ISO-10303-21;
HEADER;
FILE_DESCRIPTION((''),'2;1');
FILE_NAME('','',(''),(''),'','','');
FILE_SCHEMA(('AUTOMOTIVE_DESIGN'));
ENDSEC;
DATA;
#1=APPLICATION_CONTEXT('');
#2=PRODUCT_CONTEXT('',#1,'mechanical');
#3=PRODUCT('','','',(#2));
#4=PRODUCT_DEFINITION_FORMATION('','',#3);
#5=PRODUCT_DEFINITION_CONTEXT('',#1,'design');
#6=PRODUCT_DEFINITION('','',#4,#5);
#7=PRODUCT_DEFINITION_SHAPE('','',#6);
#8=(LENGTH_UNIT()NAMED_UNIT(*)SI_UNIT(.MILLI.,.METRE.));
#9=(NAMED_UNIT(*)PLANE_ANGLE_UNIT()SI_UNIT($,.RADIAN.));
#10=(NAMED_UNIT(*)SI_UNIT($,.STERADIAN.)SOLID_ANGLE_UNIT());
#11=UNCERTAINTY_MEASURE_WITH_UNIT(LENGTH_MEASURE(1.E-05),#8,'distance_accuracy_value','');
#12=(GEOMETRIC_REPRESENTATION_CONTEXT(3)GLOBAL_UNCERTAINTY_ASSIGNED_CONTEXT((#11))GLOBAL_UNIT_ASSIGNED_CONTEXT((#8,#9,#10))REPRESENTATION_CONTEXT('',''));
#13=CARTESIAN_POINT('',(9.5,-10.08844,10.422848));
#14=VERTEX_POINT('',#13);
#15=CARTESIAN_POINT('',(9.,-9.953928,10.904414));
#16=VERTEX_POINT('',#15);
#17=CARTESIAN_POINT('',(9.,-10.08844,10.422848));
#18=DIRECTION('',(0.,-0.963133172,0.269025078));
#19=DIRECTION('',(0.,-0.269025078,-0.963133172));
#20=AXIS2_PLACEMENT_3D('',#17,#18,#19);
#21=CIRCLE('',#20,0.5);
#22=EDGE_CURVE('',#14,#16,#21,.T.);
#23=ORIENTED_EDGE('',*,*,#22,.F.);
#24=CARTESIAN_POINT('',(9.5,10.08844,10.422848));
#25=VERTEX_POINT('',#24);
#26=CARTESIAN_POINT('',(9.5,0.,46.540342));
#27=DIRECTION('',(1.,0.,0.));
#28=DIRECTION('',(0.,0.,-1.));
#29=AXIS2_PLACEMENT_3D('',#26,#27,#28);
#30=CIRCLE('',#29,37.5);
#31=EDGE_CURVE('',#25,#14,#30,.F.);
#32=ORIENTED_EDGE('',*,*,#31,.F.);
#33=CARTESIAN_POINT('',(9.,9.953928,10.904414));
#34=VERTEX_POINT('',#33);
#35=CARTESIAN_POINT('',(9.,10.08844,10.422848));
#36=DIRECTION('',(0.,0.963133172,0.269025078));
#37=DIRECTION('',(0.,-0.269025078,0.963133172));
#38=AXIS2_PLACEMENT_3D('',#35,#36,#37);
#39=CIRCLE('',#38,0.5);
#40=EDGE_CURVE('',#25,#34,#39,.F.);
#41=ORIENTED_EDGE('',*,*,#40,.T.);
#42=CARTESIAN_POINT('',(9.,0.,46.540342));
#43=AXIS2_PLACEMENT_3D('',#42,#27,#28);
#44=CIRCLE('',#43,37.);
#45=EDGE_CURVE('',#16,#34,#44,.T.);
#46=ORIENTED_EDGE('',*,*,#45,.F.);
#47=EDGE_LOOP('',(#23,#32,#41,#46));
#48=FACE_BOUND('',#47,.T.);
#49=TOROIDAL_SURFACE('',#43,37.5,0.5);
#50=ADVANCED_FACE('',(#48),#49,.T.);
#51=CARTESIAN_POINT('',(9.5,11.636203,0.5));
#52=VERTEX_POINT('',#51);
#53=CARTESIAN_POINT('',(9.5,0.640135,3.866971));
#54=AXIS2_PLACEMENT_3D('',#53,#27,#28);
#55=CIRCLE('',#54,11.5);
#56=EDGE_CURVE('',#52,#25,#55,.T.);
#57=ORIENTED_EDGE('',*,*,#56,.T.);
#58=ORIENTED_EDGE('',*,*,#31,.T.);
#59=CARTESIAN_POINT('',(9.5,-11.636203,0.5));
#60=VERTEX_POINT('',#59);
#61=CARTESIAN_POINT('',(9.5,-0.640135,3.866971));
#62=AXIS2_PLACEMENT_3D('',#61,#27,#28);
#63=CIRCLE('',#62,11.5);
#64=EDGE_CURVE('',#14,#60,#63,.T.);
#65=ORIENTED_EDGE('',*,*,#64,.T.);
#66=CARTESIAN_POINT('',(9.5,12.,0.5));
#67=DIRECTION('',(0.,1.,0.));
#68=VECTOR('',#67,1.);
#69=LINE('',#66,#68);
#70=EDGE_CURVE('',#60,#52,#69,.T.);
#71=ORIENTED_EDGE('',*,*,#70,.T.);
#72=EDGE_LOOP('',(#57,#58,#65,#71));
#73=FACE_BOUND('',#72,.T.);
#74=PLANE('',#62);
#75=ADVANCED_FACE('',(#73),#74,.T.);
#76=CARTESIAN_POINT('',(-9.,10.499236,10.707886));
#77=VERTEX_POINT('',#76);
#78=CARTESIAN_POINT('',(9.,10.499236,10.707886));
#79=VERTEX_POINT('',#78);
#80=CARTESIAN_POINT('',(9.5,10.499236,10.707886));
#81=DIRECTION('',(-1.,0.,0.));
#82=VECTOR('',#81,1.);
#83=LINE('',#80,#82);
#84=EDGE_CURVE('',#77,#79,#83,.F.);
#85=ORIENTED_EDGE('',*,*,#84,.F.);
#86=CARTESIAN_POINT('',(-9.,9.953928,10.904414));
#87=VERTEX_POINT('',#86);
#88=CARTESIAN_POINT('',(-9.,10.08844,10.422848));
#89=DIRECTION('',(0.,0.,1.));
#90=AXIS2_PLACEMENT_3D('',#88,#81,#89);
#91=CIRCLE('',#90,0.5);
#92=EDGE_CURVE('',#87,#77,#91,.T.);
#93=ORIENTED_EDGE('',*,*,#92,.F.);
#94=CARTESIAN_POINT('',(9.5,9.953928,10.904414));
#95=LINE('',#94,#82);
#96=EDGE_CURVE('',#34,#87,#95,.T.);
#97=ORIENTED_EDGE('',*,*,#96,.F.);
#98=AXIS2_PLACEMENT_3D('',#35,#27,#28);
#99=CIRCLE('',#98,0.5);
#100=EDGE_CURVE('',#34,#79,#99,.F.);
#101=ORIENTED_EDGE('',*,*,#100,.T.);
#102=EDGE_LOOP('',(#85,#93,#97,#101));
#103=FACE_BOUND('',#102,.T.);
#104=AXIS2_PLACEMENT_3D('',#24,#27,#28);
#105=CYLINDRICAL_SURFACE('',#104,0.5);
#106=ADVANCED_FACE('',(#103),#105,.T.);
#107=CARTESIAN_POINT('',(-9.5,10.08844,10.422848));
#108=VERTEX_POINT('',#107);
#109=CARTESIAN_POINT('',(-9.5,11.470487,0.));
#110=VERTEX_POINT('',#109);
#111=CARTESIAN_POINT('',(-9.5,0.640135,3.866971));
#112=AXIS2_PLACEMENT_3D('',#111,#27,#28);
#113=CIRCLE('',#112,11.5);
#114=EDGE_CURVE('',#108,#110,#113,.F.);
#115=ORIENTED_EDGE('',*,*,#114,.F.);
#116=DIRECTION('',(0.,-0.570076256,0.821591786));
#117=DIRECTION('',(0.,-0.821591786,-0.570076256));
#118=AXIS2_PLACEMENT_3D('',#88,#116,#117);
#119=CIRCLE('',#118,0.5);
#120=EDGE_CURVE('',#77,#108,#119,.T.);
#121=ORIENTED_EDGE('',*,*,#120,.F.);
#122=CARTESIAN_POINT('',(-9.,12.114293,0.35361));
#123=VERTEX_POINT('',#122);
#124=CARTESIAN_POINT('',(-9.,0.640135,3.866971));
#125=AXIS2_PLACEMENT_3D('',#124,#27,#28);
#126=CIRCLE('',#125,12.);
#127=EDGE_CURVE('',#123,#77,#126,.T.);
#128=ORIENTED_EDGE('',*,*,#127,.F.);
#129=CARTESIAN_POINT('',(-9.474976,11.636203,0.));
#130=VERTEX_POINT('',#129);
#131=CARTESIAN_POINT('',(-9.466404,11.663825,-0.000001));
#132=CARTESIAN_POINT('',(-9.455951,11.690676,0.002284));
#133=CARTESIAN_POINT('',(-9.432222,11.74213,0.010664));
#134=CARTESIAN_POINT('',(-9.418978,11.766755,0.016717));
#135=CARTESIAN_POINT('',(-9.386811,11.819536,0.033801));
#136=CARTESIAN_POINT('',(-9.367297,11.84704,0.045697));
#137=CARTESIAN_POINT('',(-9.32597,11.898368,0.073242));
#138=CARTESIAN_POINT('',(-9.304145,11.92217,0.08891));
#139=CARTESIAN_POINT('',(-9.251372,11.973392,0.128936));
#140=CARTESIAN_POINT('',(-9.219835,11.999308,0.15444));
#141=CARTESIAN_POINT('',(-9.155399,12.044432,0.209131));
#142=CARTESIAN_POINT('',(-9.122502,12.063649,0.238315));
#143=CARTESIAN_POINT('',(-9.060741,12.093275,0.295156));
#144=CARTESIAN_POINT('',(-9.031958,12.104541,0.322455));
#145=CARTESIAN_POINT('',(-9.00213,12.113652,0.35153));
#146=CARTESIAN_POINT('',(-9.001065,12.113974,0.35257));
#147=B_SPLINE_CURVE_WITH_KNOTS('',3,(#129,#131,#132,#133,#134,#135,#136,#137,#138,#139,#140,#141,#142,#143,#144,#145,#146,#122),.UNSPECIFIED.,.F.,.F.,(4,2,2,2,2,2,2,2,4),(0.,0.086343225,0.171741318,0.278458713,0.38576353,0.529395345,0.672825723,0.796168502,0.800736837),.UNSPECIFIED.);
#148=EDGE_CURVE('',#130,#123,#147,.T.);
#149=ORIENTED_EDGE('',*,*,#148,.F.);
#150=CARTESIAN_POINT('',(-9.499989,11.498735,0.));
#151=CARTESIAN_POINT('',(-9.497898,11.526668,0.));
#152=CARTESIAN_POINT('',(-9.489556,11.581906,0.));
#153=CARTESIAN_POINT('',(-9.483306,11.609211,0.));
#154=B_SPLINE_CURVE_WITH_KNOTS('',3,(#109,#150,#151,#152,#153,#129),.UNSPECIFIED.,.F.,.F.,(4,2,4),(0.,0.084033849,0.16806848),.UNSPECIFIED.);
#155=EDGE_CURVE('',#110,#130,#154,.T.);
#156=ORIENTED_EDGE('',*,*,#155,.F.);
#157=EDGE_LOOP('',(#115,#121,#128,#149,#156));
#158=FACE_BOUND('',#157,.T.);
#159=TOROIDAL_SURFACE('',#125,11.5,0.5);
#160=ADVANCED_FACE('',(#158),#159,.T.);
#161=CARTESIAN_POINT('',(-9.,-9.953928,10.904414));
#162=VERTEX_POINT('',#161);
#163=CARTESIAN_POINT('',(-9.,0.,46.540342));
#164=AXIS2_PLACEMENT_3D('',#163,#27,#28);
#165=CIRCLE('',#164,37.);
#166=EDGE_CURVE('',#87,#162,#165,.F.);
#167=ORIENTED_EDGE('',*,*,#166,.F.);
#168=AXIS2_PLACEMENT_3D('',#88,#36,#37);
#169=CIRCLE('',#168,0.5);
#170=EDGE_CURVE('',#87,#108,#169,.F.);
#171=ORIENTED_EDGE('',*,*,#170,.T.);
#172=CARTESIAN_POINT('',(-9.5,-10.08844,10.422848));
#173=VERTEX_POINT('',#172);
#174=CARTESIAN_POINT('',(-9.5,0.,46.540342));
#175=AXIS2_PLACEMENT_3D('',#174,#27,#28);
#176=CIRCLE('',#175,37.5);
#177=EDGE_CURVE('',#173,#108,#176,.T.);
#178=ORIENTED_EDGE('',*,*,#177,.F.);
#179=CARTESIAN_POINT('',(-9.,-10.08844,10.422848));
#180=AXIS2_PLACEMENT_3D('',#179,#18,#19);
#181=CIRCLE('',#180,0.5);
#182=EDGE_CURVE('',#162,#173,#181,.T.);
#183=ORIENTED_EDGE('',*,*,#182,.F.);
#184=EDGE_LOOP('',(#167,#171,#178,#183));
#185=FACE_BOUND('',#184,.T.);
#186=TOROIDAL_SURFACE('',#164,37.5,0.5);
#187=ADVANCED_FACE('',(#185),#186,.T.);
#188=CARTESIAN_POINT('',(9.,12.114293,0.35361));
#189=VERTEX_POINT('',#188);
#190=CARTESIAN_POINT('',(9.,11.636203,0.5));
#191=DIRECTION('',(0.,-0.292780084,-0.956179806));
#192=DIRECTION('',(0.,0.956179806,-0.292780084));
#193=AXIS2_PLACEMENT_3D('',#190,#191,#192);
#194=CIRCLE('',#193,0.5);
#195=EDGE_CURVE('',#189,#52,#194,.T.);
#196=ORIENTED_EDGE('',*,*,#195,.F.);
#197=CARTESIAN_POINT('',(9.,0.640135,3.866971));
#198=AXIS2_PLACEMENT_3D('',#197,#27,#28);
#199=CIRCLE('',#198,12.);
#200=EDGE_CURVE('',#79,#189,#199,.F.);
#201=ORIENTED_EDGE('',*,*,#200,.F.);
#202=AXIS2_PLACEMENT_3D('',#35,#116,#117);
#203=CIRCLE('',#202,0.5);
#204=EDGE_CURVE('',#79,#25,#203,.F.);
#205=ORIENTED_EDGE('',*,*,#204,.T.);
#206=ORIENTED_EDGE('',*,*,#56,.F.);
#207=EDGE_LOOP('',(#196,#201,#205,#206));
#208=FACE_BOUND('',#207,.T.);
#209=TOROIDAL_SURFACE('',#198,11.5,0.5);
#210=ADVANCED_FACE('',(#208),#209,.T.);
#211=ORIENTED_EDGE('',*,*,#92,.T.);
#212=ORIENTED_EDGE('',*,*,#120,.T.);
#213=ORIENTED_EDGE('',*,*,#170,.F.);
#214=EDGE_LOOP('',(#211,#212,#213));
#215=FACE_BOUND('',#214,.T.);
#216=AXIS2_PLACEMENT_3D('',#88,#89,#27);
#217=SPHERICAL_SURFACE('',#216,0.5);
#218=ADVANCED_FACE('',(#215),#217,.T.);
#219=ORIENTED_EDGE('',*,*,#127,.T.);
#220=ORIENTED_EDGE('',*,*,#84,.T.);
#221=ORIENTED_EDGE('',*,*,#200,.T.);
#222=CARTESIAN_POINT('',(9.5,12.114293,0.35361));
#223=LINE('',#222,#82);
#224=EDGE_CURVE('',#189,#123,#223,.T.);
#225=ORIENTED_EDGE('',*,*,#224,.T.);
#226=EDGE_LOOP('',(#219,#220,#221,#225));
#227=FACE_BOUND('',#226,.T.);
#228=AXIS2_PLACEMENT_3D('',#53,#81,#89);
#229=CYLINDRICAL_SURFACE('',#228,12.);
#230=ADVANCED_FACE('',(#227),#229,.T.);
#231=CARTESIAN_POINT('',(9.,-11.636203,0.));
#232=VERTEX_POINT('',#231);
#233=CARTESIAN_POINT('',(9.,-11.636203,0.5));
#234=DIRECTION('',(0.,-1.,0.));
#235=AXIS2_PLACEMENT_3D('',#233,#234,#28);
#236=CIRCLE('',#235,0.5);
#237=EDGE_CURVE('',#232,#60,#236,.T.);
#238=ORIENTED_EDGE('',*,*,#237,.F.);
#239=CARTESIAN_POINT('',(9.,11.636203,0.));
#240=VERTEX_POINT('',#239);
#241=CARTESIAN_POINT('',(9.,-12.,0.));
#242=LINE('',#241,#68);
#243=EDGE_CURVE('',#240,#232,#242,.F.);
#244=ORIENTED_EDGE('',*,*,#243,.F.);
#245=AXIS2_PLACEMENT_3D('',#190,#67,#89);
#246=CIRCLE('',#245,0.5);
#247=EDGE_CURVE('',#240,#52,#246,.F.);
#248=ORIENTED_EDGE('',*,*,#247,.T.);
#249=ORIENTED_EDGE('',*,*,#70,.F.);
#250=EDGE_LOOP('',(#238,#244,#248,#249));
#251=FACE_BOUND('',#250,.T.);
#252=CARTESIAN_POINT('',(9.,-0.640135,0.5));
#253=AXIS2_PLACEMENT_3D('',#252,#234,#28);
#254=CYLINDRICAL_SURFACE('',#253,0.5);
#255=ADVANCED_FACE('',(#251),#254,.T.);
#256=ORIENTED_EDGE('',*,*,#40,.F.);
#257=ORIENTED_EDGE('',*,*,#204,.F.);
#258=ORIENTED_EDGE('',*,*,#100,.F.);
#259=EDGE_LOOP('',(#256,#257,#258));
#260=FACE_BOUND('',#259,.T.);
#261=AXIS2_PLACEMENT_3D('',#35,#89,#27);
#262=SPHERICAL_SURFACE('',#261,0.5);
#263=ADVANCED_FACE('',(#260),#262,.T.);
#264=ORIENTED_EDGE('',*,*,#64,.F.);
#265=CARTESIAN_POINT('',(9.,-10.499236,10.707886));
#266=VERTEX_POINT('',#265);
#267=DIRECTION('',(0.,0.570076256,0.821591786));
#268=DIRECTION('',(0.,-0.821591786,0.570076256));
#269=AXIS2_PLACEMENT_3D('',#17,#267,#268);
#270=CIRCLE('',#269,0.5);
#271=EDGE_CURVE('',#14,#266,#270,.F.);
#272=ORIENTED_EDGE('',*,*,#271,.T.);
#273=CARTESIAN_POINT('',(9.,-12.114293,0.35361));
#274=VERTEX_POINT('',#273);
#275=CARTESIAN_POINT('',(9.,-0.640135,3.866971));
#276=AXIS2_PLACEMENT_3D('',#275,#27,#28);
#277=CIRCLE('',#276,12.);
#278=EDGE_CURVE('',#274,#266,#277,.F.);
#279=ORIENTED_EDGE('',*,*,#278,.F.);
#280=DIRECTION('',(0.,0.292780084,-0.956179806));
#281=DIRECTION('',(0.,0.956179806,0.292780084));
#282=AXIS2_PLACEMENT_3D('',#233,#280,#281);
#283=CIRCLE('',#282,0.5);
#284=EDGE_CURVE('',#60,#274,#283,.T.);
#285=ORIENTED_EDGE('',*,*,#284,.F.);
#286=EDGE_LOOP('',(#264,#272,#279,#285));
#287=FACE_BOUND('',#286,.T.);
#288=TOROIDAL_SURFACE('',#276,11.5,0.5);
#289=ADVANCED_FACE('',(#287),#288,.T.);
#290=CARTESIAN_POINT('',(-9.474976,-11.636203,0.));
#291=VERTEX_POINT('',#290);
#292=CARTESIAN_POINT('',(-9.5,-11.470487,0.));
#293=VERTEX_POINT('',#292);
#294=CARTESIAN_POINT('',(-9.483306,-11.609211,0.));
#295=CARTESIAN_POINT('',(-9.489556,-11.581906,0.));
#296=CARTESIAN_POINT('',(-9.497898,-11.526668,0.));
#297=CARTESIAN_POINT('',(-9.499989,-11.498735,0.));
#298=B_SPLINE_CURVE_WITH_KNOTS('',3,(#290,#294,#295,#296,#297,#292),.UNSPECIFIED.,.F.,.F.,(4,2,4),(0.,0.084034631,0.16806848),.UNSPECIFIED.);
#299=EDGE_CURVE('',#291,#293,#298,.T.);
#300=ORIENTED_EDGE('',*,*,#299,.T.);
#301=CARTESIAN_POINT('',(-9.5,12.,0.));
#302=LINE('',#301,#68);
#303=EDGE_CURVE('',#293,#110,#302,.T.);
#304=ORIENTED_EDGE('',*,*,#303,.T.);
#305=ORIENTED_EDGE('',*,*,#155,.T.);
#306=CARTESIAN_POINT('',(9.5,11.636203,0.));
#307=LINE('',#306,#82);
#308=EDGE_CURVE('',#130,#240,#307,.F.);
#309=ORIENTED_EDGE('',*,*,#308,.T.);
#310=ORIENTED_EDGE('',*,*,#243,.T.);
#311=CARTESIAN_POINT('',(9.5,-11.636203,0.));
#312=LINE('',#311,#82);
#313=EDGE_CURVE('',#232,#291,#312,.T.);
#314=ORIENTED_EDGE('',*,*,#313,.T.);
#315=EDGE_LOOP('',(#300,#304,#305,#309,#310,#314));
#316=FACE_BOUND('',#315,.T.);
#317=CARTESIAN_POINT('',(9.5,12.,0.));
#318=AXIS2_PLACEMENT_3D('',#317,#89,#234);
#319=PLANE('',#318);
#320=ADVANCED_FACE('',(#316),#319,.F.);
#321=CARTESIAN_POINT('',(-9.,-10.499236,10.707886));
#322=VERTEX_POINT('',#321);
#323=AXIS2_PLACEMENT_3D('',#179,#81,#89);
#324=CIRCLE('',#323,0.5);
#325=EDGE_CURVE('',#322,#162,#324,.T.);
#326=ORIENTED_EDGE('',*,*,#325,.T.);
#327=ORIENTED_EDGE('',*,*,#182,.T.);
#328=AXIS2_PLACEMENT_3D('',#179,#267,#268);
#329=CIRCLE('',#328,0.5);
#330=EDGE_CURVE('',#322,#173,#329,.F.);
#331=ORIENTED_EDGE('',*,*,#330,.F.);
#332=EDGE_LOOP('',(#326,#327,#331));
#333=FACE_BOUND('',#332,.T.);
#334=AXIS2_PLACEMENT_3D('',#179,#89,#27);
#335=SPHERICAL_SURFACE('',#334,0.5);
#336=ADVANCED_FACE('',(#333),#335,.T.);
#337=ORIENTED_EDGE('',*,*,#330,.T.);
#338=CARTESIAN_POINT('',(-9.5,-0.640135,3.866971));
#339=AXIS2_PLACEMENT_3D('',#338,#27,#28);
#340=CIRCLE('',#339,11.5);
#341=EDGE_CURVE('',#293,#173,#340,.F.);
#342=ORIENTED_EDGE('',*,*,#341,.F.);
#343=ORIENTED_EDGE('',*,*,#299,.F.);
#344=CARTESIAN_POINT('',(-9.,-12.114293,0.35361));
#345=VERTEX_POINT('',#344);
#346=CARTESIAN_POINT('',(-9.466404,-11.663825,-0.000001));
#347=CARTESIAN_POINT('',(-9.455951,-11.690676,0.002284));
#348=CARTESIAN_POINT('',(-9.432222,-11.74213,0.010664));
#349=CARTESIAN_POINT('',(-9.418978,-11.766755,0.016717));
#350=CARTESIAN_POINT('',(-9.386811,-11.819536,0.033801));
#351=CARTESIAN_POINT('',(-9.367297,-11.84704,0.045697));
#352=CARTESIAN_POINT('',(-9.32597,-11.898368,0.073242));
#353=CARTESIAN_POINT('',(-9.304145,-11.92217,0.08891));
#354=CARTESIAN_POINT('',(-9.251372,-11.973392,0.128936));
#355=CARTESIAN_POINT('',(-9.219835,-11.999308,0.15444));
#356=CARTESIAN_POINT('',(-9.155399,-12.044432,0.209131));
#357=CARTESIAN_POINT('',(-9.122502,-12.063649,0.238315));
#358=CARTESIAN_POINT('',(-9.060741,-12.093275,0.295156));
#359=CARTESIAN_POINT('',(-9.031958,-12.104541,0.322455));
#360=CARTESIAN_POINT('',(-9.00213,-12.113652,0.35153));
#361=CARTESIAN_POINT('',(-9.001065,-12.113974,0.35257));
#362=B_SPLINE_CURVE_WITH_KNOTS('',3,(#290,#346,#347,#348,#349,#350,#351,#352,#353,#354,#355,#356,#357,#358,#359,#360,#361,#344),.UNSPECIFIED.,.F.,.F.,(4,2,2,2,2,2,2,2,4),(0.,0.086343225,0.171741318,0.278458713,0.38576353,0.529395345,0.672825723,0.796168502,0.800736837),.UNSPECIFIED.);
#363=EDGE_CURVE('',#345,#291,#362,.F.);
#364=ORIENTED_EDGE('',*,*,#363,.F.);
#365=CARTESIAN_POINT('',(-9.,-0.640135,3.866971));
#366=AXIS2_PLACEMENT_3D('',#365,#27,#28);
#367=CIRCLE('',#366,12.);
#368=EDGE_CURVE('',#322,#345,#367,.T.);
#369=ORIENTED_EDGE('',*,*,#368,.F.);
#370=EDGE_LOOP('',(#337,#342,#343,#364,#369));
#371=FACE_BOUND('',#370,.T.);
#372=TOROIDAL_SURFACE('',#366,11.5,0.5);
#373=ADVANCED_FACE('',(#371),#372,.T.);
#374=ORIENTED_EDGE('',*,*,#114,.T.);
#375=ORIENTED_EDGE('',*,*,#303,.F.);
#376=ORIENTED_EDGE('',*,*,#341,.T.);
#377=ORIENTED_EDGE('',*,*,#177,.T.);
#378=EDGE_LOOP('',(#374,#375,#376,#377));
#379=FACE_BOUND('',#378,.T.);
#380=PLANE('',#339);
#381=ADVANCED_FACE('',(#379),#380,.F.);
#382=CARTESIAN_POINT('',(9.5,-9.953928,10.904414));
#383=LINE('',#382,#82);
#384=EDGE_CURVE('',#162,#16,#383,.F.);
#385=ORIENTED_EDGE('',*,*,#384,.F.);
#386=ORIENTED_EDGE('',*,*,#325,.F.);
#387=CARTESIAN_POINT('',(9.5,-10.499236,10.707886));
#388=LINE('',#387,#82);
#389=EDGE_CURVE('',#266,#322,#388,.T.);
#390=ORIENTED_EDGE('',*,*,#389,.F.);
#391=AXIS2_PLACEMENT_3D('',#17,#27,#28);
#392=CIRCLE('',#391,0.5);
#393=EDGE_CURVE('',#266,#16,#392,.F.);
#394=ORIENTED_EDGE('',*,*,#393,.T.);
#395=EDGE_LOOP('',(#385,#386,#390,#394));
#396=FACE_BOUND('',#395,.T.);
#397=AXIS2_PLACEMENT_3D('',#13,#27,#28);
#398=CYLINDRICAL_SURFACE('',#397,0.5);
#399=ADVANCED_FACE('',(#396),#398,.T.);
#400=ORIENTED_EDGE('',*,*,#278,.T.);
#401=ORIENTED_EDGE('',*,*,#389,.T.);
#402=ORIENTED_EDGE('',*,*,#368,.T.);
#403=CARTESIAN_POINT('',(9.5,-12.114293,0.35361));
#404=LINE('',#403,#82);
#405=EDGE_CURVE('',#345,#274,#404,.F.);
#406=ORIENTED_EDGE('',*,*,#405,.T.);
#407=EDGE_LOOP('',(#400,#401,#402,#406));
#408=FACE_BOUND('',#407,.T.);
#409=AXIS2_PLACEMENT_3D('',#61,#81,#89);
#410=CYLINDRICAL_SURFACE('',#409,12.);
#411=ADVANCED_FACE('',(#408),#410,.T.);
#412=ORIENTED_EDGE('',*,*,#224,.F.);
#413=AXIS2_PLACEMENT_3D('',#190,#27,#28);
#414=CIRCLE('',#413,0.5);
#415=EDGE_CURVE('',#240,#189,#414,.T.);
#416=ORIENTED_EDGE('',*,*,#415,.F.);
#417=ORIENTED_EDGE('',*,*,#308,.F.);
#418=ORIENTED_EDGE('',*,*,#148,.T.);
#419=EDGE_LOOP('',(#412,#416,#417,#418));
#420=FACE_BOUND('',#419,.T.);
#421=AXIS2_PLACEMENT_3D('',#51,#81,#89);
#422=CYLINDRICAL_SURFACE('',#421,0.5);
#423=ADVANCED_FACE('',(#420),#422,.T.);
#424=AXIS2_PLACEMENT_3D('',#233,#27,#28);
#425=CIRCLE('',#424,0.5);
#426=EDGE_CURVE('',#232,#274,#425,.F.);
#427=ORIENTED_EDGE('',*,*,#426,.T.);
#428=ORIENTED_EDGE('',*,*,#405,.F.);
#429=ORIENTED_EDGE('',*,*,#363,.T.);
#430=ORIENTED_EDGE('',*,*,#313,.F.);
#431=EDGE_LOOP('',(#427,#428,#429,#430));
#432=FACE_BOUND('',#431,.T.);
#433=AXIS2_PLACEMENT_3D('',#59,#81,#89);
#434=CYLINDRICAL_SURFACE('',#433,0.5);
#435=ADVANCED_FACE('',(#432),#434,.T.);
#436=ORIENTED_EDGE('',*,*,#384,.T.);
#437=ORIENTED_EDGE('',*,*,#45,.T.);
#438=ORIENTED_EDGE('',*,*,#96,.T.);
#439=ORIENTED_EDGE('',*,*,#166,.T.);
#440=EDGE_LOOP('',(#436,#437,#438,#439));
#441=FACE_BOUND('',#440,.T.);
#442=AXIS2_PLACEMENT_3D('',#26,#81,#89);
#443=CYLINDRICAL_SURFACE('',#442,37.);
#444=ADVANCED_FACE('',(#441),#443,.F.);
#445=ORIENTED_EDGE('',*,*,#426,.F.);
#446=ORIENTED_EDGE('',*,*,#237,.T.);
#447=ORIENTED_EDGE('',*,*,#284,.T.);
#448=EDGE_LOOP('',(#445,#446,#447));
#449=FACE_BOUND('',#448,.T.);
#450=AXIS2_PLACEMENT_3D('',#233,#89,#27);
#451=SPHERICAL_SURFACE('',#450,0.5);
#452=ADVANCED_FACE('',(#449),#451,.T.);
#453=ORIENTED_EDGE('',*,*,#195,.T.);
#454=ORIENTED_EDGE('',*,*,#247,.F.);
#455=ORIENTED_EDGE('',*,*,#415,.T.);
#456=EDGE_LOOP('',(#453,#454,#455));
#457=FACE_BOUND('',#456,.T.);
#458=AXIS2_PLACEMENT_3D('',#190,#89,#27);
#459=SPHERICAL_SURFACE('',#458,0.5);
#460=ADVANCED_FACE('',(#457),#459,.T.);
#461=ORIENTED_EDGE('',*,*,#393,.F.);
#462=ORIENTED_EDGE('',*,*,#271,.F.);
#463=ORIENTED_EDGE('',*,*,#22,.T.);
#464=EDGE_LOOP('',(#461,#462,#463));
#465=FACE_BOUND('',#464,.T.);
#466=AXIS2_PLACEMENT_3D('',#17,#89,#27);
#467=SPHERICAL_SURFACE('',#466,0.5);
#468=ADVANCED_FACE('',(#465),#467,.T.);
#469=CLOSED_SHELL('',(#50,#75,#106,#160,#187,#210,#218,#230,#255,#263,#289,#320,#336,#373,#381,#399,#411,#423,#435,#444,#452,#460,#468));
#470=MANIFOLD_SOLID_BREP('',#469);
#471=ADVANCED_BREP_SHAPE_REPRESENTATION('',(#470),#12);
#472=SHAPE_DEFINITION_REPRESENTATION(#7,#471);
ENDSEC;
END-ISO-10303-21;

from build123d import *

# Parameters (mm, degrees)
BOSS_EXTRUDE2_DEPTH = 9.5
FILLET1_R           = 0.5


with BuildPart() as part:
    # Sketch2 → Boss-Extrude2 (new body, symmetric)
    with BuildSketch(Plane(origin=(0, 0, 0), x_dir=(0, 0, -1), z_dir=(1, 0, 0))):
        with BuildLine():
            Line((0, 12), (0, -12))
            ThreePointArc((0, -12), (-5.710285596, -12.497714363), (-11, -10.29))
            ThreePointArc((-11, -10.29), (-9.540341867, 0), (-11, 10.29))
            ThreePointArc((-11, 10.29), (-5.710285596, 12.497714363), (0, 12))
        make_face()
    extrude(amount=BOSS_EXTRUDE2_DEPTH, both=True)

    # Fillet1
    fillet1_edges = [part.edges().sort_by_distance(p)[0] for p in [
        (9.5, 12.497714363, 5.710285596),
        (9.5, 0, 9.540341867),
        (9.5, -12.497714363, 5.710285596),
        (-9.5, 0, 9.540341867),
        (-9.5, 12.497714363, 5.710285596),
        (-9.5, -12.497714363, 5.710285596),
        (0, -10.29, 11),
        (0, 10.29, 11),
        (0, 12, 0),
        (0, -12, 0),
        (9.5, 0, 0),
    ]]
    fillet(fillet1_edges, radius=FILLET1_R)


solid = part.part
